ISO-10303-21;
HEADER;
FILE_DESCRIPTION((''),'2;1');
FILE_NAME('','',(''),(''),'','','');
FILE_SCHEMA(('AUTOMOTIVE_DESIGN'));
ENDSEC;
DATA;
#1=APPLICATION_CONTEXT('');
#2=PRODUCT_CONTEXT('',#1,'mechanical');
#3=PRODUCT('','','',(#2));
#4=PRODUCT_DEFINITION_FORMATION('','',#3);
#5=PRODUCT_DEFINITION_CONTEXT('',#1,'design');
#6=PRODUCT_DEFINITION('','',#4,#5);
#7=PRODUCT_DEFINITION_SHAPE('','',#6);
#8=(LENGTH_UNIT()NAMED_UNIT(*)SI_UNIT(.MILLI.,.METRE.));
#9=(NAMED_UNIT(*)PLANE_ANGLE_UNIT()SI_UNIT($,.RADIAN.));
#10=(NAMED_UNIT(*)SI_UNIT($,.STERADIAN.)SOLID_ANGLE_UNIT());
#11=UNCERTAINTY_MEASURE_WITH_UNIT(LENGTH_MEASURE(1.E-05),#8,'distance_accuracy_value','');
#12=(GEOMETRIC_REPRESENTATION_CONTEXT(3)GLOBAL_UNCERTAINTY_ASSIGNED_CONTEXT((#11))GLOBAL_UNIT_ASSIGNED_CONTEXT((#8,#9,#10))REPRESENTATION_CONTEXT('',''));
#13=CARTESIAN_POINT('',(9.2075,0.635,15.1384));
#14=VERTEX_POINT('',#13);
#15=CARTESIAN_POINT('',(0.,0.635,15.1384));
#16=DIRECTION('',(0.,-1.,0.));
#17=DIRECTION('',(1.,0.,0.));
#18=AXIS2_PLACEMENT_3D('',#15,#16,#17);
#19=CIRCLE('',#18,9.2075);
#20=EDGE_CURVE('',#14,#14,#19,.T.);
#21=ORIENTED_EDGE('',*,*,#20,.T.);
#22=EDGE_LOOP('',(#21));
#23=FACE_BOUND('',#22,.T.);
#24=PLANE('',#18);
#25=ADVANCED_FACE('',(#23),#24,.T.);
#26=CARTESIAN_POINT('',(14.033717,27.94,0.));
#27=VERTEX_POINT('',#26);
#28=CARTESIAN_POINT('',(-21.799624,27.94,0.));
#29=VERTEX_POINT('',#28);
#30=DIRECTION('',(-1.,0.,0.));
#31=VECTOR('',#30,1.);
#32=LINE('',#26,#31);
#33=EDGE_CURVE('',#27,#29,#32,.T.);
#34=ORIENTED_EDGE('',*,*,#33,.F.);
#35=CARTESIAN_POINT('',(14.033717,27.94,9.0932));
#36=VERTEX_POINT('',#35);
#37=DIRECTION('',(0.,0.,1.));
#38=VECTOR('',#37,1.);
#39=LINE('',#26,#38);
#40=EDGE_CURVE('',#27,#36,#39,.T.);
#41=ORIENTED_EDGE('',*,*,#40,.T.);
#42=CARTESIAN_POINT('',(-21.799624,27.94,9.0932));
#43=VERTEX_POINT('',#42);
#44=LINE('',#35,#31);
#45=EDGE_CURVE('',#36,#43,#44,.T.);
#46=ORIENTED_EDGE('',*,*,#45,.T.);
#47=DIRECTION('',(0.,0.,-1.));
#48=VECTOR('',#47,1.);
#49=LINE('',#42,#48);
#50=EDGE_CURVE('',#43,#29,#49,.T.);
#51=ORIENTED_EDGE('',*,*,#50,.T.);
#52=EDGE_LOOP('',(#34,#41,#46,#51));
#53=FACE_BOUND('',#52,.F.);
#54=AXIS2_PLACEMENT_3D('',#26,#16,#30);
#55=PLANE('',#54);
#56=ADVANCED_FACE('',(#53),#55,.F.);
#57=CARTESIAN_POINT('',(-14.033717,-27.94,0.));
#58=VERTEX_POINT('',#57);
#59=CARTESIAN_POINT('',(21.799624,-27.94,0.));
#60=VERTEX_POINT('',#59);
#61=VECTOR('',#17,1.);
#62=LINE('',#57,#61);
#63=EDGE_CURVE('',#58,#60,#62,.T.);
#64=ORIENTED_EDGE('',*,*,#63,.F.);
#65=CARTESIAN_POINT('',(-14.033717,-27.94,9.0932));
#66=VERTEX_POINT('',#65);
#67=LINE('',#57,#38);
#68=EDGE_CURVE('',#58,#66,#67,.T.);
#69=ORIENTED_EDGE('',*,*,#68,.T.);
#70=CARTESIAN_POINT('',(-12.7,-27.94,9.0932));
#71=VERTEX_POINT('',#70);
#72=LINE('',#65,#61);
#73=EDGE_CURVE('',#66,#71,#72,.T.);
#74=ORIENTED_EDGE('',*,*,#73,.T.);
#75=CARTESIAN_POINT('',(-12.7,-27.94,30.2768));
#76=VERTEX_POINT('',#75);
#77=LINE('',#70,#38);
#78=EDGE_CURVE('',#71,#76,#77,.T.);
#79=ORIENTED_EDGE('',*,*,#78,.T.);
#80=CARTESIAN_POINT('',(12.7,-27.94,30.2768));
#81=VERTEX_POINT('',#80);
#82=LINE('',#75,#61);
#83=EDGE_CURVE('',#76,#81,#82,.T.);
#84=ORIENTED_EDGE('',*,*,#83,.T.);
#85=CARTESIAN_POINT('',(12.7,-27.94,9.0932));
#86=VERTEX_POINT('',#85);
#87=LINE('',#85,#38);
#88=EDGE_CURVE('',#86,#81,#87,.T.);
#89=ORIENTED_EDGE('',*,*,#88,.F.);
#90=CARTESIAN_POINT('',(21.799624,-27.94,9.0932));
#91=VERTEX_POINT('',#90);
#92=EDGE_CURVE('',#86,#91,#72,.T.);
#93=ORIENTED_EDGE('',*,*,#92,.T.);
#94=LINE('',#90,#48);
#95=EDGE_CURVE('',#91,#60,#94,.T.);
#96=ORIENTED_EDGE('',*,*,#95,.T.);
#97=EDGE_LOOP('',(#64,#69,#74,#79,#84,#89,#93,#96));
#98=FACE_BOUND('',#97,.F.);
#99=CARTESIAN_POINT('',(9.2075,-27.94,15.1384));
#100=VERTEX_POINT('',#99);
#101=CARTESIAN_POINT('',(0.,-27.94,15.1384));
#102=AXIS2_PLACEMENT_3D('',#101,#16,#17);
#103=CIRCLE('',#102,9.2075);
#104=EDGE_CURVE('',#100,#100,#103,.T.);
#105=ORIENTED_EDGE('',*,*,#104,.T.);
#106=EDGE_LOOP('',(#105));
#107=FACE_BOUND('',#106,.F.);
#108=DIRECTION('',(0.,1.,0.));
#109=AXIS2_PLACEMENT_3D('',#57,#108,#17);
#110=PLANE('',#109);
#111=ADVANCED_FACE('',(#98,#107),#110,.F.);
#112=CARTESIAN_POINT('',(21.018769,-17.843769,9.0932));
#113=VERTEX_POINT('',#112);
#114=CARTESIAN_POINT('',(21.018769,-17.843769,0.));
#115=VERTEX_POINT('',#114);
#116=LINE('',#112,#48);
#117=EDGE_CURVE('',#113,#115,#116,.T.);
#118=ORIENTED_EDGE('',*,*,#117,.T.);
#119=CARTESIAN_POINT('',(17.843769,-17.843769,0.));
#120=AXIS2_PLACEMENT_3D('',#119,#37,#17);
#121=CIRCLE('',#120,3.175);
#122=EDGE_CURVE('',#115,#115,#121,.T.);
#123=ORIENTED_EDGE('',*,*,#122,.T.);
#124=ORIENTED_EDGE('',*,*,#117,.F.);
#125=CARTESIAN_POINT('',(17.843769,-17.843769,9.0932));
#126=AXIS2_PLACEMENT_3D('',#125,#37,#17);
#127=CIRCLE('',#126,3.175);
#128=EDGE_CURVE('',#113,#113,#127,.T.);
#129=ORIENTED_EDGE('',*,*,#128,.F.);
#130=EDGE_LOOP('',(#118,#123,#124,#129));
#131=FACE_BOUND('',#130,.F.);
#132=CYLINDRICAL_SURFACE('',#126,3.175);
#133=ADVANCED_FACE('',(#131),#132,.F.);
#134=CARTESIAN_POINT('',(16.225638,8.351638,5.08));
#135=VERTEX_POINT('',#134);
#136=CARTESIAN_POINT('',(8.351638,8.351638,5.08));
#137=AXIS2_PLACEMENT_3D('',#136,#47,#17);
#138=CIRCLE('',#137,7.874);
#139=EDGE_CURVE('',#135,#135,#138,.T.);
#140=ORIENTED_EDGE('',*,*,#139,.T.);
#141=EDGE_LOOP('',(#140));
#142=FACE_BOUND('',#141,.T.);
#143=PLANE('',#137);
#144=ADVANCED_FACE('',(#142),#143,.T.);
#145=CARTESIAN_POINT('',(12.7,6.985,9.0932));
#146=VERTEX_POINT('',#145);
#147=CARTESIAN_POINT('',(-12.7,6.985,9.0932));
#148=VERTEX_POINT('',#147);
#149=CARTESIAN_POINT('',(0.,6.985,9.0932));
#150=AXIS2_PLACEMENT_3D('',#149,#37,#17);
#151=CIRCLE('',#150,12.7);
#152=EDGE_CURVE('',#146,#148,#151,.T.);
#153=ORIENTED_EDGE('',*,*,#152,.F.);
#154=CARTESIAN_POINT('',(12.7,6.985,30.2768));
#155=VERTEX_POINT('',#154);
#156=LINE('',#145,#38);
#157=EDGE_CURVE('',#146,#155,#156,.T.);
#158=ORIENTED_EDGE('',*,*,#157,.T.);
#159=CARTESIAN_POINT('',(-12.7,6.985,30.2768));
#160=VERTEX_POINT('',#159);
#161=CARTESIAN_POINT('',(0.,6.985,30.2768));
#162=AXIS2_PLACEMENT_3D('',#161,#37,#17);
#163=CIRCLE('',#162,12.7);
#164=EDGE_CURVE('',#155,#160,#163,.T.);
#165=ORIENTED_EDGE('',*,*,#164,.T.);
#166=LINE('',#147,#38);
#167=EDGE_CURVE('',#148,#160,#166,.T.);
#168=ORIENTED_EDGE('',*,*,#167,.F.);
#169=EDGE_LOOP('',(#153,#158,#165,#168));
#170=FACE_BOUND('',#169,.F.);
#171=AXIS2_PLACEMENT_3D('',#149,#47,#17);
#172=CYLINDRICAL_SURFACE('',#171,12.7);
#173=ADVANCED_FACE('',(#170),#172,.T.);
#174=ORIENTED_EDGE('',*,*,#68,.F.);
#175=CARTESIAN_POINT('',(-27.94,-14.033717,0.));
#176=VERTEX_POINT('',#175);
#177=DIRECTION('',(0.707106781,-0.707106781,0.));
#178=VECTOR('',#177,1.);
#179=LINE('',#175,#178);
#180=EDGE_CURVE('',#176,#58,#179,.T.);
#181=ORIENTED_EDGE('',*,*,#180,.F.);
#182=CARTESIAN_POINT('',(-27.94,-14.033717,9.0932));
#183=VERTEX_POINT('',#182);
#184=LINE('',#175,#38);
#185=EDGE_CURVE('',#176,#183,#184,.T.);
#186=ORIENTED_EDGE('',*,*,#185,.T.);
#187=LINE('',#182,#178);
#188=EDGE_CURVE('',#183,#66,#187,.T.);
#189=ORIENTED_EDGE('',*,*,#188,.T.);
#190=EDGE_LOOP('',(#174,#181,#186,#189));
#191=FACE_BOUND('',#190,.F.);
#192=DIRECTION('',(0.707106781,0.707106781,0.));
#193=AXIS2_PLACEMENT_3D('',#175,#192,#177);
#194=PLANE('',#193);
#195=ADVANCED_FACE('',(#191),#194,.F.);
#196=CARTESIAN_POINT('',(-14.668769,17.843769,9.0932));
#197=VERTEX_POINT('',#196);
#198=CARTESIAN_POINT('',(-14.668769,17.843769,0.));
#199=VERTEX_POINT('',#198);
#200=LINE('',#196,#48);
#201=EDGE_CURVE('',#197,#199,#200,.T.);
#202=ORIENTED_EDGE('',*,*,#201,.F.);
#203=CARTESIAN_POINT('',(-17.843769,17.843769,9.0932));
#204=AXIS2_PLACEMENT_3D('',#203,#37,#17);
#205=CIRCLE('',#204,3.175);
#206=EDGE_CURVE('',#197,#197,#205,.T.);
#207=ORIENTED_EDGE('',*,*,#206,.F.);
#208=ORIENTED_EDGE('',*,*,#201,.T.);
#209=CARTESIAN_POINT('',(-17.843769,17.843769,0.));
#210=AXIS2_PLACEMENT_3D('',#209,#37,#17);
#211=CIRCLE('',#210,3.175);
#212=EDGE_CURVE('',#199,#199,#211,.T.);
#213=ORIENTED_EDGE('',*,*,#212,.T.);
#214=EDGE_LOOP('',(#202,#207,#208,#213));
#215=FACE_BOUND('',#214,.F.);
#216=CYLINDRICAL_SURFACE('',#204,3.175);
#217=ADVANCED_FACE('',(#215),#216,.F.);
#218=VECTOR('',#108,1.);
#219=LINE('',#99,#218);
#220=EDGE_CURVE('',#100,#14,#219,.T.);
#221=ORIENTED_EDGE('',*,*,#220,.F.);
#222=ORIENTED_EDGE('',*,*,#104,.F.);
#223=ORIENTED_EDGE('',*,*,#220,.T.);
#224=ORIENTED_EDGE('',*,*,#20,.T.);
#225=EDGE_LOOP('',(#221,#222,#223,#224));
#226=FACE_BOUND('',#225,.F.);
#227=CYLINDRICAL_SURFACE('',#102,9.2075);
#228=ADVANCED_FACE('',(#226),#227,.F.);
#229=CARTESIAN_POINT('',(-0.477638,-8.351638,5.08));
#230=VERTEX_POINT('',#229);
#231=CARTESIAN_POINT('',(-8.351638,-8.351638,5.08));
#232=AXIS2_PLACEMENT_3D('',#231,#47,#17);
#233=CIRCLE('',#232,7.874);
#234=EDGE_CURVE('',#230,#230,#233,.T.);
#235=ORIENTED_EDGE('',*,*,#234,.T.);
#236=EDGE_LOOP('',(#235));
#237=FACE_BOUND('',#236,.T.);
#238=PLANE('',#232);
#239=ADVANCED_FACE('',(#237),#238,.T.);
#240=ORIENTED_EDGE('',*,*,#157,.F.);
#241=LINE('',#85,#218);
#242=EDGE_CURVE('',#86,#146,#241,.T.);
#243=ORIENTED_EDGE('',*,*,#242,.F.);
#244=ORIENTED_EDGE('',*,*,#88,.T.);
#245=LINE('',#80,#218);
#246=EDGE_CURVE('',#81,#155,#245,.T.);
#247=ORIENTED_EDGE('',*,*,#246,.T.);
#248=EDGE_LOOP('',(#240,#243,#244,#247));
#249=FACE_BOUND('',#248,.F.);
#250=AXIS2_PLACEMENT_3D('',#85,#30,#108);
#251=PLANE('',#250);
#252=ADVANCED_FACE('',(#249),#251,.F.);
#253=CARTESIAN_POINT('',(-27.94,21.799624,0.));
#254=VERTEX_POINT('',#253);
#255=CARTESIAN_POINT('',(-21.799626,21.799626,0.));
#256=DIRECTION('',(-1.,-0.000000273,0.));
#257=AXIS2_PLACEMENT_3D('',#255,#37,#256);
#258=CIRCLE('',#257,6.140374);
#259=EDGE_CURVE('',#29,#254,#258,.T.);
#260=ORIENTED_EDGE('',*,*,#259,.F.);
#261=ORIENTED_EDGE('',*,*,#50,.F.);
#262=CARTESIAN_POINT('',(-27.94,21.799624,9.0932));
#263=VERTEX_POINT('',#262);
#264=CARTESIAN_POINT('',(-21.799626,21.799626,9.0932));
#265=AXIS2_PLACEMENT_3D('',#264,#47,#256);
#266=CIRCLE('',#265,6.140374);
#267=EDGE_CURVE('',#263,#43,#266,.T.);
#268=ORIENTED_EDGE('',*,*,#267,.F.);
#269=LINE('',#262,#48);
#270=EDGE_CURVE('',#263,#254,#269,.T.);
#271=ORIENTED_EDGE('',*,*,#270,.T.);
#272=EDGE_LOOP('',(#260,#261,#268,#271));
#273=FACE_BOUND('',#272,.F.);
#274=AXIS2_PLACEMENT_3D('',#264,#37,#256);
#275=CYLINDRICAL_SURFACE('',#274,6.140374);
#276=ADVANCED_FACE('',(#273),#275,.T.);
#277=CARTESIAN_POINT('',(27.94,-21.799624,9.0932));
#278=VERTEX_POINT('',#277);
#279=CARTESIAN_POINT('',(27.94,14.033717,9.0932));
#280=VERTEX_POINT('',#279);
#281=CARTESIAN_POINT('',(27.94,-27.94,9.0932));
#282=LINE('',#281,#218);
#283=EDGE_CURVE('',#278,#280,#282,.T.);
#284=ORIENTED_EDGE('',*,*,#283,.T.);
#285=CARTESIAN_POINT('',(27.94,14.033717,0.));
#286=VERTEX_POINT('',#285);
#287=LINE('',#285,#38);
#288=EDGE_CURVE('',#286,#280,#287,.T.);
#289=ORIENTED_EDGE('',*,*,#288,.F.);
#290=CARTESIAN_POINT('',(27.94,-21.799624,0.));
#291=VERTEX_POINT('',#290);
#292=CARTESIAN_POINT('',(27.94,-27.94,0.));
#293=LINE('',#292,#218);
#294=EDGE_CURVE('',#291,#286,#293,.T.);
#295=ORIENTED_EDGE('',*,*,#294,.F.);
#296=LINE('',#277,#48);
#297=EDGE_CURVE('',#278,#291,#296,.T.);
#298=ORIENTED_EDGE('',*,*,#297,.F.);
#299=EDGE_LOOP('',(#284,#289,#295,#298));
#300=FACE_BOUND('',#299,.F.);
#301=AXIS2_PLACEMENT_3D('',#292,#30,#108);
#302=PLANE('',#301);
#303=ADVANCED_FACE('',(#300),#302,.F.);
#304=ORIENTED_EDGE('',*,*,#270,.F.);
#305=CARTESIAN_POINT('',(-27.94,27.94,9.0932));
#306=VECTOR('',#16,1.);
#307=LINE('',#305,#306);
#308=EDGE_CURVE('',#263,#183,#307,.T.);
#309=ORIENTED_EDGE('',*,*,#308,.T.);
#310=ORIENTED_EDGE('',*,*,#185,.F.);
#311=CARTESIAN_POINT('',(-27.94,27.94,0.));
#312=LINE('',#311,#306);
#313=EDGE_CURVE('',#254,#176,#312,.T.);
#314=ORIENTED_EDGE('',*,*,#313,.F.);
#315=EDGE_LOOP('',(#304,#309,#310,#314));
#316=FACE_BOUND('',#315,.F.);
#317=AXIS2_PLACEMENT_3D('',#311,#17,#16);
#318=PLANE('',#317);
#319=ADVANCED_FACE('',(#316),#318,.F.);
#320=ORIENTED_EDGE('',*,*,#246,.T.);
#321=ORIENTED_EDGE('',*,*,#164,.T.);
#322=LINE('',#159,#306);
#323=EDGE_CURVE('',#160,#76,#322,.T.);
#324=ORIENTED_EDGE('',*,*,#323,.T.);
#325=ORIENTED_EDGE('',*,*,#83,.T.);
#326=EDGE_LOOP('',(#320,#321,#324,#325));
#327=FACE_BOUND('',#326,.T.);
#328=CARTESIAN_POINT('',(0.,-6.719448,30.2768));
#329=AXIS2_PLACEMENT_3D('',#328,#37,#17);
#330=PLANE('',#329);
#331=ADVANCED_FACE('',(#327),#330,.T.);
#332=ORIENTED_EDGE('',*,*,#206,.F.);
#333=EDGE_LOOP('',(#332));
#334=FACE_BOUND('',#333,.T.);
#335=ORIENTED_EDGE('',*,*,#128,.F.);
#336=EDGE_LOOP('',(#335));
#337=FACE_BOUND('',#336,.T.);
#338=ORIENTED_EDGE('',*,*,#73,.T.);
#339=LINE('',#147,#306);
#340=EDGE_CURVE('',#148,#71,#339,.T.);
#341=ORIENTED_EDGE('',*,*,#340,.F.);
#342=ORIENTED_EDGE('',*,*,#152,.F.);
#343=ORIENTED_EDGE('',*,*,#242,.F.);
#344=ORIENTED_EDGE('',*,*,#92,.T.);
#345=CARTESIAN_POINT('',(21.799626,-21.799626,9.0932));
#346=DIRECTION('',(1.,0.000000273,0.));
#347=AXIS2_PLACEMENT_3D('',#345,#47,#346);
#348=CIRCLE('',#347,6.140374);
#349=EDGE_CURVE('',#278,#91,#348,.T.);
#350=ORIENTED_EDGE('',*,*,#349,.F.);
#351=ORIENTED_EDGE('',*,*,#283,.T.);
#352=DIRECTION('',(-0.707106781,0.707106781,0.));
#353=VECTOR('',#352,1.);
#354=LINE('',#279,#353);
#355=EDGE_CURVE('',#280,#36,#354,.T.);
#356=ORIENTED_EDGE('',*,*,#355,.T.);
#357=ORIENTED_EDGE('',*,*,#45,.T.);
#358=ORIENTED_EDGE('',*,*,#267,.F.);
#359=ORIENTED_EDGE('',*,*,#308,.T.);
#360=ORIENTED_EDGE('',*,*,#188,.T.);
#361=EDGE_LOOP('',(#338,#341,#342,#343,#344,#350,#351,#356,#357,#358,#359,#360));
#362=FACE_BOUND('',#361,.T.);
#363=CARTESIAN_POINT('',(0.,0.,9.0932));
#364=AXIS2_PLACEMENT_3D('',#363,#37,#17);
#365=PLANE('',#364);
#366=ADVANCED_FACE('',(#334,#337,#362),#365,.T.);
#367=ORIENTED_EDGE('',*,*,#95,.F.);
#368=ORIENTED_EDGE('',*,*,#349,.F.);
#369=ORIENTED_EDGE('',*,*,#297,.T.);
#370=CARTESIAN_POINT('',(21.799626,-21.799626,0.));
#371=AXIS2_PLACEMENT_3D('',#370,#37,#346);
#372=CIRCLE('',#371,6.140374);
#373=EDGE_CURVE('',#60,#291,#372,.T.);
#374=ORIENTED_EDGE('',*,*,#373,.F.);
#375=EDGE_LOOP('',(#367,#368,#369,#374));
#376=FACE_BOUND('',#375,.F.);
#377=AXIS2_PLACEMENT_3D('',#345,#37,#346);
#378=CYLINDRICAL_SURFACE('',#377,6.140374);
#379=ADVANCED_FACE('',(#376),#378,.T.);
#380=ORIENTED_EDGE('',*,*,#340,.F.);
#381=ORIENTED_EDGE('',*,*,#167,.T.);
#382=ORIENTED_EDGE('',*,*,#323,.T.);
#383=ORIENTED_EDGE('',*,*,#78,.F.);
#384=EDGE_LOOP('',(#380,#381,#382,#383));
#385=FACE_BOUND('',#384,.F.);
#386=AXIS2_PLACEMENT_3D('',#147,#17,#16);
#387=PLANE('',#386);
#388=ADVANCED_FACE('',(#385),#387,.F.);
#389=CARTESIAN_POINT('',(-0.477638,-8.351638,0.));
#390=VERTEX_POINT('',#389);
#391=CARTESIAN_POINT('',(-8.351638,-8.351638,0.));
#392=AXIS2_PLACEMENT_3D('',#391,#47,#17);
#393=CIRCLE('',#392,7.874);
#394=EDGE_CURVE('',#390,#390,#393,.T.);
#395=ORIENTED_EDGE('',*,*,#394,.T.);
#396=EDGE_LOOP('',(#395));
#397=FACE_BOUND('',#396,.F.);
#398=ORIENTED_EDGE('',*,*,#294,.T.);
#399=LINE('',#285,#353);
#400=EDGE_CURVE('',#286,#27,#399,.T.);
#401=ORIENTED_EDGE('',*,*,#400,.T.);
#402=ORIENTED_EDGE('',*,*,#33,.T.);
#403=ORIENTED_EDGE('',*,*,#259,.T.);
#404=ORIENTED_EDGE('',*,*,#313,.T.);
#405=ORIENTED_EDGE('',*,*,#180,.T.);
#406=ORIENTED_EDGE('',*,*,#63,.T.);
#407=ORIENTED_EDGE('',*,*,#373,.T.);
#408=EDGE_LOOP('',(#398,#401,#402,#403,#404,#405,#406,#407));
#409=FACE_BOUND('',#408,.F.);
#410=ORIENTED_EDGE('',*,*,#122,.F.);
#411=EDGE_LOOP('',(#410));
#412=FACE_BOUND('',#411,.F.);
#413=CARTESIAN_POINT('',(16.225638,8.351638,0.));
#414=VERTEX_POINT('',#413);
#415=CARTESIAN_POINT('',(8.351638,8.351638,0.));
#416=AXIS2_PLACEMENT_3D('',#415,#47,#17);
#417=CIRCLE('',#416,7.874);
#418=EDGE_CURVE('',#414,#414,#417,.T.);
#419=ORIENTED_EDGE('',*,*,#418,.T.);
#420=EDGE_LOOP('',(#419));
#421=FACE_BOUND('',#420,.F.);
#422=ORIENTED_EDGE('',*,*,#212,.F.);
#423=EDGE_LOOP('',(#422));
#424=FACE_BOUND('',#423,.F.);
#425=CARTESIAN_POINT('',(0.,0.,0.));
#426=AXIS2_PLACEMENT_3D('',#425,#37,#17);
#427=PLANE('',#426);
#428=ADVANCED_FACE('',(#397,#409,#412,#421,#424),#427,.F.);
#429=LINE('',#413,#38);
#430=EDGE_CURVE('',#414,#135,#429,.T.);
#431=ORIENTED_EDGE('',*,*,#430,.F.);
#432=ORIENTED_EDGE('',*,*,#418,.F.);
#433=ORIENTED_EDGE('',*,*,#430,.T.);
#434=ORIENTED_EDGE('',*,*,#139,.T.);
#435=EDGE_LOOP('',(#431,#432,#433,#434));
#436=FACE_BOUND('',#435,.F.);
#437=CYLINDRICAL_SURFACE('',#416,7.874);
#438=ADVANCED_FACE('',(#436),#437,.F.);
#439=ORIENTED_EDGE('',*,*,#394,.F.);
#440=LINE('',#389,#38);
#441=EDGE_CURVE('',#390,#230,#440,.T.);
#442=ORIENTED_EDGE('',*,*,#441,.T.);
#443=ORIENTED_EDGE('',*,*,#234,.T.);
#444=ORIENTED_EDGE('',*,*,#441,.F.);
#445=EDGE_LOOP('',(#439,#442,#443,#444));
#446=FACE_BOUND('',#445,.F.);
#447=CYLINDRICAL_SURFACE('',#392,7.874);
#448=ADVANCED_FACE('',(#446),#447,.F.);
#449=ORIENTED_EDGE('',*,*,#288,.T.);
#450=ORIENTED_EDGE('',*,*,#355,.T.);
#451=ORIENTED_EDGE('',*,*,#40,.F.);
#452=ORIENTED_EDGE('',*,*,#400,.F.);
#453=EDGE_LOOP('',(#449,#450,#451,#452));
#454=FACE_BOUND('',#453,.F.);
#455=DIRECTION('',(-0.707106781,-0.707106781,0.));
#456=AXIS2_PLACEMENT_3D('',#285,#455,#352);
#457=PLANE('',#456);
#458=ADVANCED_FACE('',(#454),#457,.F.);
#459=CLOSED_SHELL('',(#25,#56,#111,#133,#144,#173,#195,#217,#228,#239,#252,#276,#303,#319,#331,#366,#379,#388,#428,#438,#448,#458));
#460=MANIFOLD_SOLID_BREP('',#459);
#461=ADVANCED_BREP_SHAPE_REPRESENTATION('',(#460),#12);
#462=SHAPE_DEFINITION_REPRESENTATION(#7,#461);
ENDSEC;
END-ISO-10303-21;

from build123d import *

# Parameters (mm, degrees)
F1_DEPTH = 9.0932
F3_DEPTH = 21.1836
F4_R     = 3.175
F5_DEPTH = 9.0942
F6_R     = 9.2075
F7_DEPTH = 28.575
F8_R     = 7.874
F9_DEPTH = 5.08


with BuildPart() as f1:
    # F0 (on Top) → F1 (new body)
    with BuildSketch(Plane.XY):
        Polygon((-27.94, 27.94), (-27.94, -14.033717), (-14.033717, -27.94), (27.94, -27.94), (27.94, 14.033717), (14.033717, 27.94), align=None)
    extrude(amount=F1_DEPTH)

    # F2 (on face) → F3 (join)
    with BuildSketch(Plane.XY.offset(9.0932)):
        with BuildLine():
            ThreePointArc((12.7, 6.985), (0, 19.685), (-12.7, 6.985))
            Line((-12.7, 6.985), (-12.7, -27.94))
            Line((-12.7, -27.94), (12.7, -27.94))
            Line((12.7, -27.94), (12.7, 6.985))
        make_face()
    extrude(amount=F3_DEPTH)

    # F4 (on face) → F5 (cut, through all)
    with BuildSketch(Plane.XY.offset(9.0932)):
        with BuildLine():
            Line((-27.94, 27.94), (-27.94, 21.799624))
            ThreePointArc((-27.94, 21.799624), (-26.141526, 26.141526), (-21.799624, 27.94))
            Line((-21.799624, 27.94), (-27.94, 27.94))
        make_face()
        with BuildLine():
            ThreePointArc((27.94, -21.799624), (26.141526, -26.141526), (21.799624, -27.94))
            Line((21.799624, -27.94), (27.94, -27.94))
            Line((27.94, -27.94), (27.94, -21.799624))
        make_face()
        with Locations((-17.843769, 17.843769)):
            Circle(F4_R)
        with Locations((17.843769, -17.843769)):
            Circle(F4_R)
    extrude(amount=-F5_DEPTH, mode=Mode.SUBTRACT)

    # F6 (on face) → F7 (cut)
    with BuildSketch(Plane.XZ.offset(27.94)):
        with Locations((0, 15.1384)):
            Circle(F6_R)
    extrude(amount=-F7_DEPTH, mode=Mode.SUBTRACT)

    # F8 (on face) → F9 (cut)
    with BuildSketch(Plane(origin=(0, 0, 0), x_dir=(1, 0, 0), z_dir=(0, 0, -1))):
        with Locations((8.351638, -8.351638)):
            Circle(F8_R)
        with Locations((-8.351638, 8.351638)):
            Circle(F8_R)
    extrude(amount=-F9_DEPTH, mode=Mode.SUBTRACT)


solid = f1.part
